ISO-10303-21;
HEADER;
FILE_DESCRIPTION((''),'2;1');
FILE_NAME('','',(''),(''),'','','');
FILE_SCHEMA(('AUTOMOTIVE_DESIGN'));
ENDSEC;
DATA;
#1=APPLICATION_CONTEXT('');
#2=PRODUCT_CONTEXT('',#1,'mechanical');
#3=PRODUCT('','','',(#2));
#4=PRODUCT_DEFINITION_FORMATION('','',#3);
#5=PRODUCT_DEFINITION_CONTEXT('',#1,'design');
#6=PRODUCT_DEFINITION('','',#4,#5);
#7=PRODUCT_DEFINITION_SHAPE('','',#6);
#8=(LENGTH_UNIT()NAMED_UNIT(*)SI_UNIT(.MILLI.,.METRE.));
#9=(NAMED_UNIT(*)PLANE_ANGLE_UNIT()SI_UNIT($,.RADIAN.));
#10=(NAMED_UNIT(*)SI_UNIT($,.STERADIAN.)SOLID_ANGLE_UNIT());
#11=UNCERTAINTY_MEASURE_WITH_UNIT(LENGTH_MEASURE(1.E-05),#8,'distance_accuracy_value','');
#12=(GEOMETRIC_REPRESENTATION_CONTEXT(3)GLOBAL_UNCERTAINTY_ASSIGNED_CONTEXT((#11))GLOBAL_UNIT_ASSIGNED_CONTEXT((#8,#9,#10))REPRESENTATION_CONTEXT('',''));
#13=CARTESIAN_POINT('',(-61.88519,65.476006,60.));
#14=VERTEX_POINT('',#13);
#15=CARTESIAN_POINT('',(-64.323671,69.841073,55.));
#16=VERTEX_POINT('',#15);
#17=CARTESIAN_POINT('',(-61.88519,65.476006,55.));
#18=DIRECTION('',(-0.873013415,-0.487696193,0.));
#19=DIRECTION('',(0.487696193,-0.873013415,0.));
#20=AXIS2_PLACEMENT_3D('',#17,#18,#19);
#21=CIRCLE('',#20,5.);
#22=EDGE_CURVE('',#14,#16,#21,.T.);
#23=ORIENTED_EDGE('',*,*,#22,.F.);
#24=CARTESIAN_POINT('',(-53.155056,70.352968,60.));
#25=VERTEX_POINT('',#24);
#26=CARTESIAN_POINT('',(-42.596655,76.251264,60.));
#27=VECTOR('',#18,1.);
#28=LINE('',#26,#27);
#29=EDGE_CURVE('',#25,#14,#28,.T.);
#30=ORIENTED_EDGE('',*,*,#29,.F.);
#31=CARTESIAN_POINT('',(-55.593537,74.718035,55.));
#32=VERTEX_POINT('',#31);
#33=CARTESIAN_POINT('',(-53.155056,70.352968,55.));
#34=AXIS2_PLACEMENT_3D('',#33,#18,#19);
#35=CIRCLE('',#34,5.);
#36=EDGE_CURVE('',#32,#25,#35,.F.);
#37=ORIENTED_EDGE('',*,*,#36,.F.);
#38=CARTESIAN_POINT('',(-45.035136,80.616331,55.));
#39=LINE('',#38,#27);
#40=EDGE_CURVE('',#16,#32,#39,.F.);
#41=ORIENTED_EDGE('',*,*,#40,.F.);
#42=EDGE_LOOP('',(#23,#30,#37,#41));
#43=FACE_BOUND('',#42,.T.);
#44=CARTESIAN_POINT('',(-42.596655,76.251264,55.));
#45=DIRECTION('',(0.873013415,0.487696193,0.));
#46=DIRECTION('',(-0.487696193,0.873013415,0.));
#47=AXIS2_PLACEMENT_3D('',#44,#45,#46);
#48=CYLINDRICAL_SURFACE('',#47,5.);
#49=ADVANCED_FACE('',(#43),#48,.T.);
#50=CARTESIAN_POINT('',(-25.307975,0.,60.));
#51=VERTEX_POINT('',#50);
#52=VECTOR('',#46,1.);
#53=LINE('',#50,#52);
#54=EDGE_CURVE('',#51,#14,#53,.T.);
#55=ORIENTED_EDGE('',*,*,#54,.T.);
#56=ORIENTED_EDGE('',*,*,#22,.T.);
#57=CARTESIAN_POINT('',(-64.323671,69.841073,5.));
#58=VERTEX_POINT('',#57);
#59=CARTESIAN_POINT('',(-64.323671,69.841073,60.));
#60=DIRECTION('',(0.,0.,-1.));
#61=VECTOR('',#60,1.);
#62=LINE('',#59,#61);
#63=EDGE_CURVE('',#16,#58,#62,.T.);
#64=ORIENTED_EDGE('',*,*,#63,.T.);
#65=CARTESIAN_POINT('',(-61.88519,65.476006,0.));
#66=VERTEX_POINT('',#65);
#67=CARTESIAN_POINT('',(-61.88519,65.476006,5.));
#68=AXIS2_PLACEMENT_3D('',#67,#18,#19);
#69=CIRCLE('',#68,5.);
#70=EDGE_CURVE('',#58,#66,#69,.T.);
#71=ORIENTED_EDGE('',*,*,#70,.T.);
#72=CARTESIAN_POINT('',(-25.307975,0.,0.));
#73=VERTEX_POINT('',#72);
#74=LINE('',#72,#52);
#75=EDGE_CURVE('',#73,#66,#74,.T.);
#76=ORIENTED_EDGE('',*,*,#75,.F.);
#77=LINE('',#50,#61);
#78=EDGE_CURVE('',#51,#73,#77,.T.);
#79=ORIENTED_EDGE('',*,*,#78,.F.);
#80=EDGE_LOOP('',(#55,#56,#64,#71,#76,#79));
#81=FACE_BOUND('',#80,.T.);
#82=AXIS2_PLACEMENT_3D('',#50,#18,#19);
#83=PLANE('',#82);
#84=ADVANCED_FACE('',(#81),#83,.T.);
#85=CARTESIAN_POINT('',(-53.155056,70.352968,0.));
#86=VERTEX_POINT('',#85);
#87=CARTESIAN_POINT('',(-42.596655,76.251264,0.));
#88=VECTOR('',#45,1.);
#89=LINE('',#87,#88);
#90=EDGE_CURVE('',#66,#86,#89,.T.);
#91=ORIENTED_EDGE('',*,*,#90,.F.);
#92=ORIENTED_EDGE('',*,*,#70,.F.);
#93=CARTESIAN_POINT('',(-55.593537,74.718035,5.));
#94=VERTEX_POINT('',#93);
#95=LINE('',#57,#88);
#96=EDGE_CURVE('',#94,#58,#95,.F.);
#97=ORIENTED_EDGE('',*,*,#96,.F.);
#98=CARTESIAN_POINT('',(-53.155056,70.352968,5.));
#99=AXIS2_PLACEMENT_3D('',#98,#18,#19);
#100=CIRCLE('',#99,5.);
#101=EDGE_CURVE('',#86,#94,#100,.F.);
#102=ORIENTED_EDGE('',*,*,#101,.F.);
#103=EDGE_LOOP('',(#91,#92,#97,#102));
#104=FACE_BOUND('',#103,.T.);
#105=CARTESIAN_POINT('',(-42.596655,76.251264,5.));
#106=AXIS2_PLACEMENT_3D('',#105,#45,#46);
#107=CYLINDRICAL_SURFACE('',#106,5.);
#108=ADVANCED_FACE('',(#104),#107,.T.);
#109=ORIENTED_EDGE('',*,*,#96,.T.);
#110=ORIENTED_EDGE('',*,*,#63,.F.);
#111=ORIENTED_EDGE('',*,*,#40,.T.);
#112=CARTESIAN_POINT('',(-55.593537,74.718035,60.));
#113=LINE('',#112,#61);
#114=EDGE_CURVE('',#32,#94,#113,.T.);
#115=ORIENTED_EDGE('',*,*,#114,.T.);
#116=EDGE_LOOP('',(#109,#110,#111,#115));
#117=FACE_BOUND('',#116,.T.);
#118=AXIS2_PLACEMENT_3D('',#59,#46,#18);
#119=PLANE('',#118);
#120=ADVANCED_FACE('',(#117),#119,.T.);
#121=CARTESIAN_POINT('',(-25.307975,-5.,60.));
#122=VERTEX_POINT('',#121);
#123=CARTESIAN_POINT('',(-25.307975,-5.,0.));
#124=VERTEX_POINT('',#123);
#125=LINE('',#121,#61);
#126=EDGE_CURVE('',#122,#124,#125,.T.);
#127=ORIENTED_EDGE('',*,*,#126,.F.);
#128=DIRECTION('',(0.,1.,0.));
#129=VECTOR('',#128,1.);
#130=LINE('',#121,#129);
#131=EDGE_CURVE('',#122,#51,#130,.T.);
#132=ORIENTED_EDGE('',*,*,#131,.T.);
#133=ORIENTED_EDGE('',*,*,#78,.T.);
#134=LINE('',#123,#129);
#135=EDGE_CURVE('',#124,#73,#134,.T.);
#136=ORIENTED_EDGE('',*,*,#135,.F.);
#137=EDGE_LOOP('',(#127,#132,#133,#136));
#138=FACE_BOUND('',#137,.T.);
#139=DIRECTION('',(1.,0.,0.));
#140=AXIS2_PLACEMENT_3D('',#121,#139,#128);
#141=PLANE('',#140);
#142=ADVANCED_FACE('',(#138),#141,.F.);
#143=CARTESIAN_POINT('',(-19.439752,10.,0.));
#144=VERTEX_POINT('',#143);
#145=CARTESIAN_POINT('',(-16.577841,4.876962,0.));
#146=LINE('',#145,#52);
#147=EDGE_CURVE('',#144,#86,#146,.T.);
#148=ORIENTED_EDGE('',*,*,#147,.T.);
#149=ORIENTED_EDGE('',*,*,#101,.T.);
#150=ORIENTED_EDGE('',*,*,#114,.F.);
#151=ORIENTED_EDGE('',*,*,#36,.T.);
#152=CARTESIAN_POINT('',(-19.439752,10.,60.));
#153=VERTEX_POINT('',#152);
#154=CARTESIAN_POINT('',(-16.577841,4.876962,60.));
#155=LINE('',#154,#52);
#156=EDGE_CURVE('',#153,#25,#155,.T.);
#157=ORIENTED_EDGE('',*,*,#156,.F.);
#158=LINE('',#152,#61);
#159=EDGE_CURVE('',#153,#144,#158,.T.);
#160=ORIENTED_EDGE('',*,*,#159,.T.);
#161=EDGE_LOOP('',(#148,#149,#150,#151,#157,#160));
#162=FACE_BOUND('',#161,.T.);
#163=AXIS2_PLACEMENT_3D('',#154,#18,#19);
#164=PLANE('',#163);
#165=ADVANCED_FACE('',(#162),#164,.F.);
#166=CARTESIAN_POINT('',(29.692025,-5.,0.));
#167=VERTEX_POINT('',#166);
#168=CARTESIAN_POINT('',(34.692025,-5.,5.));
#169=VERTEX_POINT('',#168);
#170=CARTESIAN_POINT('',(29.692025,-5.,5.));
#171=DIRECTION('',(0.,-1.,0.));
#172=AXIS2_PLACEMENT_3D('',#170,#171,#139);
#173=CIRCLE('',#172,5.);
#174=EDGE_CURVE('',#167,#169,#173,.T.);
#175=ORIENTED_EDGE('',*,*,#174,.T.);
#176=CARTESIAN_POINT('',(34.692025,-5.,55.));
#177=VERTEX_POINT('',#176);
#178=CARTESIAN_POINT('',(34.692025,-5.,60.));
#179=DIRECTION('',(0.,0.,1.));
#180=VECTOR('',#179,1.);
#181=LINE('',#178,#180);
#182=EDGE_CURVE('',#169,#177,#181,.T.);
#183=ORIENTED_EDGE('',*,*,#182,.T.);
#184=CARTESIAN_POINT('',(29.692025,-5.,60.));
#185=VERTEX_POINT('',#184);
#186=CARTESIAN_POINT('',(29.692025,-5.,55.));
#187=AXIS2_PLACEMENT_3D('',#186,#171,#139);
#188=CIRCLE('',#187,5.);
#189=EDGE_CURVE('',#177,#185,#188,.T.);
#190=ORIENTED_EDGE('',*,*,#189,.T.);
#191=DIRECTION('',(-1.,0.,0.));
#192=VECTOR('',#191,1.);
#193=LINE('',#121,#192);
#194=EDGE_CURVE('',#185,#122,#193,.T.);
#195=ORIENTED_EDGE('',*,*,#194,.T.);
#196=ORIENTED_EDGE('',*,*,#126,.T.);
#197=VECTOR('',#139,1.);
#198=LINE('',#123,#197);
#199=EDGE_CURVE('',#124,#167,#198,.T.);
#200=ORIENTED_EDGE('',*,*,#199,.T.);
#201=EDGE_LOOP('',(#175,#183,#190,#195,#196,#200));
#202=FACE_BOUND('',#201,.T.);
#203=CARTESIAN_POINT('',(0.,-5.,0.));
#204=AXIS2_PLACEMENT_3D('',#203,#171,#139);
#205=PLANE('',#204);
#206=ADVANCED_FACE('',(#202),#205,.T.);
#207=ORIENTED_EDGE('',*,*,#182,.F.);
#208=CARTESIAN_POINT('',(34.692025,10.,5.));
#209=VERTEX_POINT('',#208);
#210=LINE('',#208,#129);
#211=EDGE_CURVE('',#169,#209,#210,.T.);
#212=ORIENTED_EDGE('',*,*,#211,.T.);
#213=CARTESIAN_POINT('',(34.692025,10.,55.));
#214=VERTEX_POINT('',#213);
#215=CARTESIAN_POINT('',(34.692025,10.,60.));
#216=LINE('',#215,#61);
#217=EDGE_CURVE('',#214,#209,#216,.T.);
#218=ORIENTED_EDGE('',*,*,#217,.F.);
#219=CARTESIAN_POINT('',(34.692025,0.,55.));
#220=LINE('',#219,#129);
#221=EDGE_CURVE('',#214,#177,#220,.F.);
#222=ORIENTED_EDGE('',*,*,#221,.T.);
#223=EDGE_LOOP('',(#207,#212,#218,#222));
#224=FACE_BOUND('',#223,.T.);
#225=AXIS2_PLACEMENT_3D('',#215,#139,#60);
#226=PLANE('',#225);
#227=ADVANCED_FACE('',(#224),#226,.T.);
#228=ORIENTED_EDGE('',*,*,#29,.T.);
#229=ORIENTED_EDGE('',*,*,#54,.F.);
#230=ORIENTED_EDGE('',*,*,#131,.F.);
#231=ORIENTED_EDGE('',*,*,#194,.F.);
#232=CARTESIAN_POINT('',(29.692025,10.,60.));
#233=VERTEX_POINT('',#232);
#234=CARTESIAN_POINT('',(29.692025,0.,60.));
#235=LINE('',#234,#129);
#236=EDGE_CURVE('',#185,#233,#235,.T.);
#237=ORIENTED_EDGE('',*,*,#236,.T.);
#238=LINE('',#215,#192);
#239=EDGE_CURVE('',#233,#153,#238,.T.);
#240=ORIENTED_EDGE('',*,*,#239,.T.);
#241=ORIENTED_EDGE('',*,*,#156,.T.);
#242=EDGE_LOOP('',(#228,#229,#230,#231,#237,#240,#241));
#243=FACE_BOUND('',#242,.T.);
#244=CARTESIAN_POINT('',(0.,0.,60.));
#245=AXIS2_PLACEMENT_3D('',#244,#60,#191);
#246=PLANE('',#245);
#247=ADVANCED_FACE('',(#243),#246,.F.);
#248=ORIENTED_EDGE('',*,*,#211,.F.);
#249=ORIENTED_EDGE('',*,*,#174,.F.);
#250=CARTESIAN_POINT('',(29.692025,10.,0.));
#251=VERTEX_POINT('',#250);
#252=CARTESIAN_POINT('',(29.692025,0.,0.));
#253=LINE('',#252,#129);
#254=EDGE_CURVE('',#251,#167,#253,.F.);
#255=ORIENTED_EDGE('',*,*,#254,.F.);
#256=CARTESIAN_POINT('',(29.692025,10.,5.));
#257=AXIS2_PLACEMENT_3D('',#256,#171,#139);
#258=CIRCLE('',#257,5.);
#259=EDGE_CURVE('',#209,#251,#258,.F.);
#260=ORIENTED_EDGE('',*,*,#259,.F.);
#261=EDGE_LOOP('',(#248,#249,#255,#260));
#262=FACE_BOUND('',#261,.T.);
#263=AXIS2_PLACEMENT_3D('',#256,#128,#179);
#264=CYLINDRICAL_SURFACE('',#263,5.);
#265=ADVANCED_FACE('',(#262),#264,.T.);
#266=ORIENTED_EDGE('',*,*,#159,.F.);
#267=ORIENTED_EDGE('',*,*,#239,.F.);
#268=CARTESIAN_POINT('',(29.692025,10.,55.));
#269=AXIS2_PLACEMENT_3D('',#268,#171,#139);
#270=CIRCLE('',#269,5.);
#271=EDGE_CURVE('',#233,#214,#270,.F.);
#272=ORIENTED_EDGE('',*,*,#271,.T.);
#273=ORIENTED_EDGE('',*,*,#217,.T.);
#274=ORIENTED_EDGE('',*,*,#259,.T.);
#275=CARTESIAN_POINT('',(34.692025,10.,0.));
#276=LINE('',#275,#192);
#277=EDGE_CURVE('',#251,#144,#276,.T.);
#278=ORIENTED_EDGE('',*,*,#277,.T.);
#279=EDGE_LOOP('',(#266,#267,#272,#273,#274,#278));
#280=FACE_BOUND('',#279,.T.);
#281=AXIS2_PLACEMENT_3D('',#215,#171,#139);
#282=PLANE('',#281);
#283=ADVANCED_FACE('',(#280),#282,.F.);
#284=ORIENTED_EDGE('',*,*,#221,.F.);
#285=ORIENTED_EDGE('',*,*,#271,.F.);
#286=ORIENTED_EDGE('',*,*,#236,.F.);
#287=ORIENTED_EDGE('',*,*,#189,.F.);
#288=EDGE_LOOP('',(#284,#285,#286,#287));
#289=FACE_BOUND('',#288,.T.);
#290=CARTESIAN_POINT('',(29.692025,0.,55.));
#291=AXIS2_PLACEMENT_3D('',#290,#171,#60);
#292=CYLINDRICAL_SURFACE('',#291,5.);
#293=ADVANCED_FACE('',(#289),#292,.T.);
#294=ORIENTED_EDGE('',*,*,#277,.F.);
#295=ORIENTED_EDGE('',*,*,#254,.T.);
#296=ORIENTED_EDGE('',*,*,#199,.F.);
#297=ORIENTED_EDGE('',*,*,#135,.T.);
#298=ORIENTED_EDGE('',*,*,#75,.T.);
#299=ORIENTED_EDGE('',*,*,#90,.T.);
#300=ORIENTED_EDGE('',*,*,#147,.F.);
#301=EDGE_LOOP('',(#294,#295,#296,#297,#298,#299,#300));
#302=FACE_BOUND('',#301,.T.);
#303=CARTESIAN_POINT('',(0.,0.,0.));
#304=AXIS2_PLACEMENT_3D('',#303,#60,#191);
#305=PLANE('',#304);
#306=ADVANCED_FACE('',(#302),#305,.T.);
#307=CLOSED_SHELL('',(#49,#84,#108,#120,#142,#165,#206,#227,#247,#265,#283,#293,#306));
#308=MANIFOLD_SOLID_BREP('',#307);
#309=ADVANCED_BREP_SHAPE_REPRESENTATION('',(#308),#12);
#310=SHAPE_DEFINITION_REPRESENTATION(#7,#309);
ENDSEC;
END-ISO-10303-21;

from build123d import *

# Parameters (mm, degrees)
EXTRUDE_THIN2_DEPTH = 60
SKETCH2_W           = 60
SKETCH2_H           = 60
BOSS_EXTRUDE1_DEPTH = 5
FILLET5_R           = 5
FILLET6_R           = 5
FILLET7_R           = 5
FILLET8_R           = 5


with BuildPart() as part:
    # Sketch1 → Extrude-Thin2 (new body)
    with BuildSketch(Plane.XY):
        Polygon((34.692024717, 0), (-25.307975283, 0), (-64.323670762, 69.841073204), (-55.593536612, 74.718035139), (-19.439751523, 10), (34.692024717, 10), align=None)
    extrude(amount=EXTRUDE_THIN2_DEPTH)

    # Sketch2 → Boss-Extrude1 (add)
    with BuildSketch(Plane.XZ):
        with Locations((4.692024717, 30)):
            Rectangle(SKETCH2_W, SKETCH2_H)
    extrude(amount=BOSS_EXTRUDE1_DEPTH)

    # Fillet5
    fillet5_edges = [part.edges().sort_by_distance(p)[0] for p in [
        (-59.958603687, 72.279554172, 60),
    ]]
    fillet(fillet5_edges, radius=FILLET5_R)

    # Fillet6
    fillet6_edges = [part.edges().sort_by_distance(p)[0] for p in [
        (34.692024717, 2.5, 60),
    ]]
    fillet(fillet6_edges, radius=FILLET6_R)

    # Fillet7
    fillet7_edges = [part.edges().sort_by_distance(p)[0] for p in [
        (34.692024717, 2.5, 0),
    ]]
    fillet(fillet7_edges, radius=FILLET7_R)

    # Fillet8
    fillet8_edges = [part.edges().sort_by_distance(p)[0] for p in [
        (-59.958603687, 72.279554172, 0),
    ]]
    fillet(fillet8_edges, radius=FILLET8_R)


solid = part.part
